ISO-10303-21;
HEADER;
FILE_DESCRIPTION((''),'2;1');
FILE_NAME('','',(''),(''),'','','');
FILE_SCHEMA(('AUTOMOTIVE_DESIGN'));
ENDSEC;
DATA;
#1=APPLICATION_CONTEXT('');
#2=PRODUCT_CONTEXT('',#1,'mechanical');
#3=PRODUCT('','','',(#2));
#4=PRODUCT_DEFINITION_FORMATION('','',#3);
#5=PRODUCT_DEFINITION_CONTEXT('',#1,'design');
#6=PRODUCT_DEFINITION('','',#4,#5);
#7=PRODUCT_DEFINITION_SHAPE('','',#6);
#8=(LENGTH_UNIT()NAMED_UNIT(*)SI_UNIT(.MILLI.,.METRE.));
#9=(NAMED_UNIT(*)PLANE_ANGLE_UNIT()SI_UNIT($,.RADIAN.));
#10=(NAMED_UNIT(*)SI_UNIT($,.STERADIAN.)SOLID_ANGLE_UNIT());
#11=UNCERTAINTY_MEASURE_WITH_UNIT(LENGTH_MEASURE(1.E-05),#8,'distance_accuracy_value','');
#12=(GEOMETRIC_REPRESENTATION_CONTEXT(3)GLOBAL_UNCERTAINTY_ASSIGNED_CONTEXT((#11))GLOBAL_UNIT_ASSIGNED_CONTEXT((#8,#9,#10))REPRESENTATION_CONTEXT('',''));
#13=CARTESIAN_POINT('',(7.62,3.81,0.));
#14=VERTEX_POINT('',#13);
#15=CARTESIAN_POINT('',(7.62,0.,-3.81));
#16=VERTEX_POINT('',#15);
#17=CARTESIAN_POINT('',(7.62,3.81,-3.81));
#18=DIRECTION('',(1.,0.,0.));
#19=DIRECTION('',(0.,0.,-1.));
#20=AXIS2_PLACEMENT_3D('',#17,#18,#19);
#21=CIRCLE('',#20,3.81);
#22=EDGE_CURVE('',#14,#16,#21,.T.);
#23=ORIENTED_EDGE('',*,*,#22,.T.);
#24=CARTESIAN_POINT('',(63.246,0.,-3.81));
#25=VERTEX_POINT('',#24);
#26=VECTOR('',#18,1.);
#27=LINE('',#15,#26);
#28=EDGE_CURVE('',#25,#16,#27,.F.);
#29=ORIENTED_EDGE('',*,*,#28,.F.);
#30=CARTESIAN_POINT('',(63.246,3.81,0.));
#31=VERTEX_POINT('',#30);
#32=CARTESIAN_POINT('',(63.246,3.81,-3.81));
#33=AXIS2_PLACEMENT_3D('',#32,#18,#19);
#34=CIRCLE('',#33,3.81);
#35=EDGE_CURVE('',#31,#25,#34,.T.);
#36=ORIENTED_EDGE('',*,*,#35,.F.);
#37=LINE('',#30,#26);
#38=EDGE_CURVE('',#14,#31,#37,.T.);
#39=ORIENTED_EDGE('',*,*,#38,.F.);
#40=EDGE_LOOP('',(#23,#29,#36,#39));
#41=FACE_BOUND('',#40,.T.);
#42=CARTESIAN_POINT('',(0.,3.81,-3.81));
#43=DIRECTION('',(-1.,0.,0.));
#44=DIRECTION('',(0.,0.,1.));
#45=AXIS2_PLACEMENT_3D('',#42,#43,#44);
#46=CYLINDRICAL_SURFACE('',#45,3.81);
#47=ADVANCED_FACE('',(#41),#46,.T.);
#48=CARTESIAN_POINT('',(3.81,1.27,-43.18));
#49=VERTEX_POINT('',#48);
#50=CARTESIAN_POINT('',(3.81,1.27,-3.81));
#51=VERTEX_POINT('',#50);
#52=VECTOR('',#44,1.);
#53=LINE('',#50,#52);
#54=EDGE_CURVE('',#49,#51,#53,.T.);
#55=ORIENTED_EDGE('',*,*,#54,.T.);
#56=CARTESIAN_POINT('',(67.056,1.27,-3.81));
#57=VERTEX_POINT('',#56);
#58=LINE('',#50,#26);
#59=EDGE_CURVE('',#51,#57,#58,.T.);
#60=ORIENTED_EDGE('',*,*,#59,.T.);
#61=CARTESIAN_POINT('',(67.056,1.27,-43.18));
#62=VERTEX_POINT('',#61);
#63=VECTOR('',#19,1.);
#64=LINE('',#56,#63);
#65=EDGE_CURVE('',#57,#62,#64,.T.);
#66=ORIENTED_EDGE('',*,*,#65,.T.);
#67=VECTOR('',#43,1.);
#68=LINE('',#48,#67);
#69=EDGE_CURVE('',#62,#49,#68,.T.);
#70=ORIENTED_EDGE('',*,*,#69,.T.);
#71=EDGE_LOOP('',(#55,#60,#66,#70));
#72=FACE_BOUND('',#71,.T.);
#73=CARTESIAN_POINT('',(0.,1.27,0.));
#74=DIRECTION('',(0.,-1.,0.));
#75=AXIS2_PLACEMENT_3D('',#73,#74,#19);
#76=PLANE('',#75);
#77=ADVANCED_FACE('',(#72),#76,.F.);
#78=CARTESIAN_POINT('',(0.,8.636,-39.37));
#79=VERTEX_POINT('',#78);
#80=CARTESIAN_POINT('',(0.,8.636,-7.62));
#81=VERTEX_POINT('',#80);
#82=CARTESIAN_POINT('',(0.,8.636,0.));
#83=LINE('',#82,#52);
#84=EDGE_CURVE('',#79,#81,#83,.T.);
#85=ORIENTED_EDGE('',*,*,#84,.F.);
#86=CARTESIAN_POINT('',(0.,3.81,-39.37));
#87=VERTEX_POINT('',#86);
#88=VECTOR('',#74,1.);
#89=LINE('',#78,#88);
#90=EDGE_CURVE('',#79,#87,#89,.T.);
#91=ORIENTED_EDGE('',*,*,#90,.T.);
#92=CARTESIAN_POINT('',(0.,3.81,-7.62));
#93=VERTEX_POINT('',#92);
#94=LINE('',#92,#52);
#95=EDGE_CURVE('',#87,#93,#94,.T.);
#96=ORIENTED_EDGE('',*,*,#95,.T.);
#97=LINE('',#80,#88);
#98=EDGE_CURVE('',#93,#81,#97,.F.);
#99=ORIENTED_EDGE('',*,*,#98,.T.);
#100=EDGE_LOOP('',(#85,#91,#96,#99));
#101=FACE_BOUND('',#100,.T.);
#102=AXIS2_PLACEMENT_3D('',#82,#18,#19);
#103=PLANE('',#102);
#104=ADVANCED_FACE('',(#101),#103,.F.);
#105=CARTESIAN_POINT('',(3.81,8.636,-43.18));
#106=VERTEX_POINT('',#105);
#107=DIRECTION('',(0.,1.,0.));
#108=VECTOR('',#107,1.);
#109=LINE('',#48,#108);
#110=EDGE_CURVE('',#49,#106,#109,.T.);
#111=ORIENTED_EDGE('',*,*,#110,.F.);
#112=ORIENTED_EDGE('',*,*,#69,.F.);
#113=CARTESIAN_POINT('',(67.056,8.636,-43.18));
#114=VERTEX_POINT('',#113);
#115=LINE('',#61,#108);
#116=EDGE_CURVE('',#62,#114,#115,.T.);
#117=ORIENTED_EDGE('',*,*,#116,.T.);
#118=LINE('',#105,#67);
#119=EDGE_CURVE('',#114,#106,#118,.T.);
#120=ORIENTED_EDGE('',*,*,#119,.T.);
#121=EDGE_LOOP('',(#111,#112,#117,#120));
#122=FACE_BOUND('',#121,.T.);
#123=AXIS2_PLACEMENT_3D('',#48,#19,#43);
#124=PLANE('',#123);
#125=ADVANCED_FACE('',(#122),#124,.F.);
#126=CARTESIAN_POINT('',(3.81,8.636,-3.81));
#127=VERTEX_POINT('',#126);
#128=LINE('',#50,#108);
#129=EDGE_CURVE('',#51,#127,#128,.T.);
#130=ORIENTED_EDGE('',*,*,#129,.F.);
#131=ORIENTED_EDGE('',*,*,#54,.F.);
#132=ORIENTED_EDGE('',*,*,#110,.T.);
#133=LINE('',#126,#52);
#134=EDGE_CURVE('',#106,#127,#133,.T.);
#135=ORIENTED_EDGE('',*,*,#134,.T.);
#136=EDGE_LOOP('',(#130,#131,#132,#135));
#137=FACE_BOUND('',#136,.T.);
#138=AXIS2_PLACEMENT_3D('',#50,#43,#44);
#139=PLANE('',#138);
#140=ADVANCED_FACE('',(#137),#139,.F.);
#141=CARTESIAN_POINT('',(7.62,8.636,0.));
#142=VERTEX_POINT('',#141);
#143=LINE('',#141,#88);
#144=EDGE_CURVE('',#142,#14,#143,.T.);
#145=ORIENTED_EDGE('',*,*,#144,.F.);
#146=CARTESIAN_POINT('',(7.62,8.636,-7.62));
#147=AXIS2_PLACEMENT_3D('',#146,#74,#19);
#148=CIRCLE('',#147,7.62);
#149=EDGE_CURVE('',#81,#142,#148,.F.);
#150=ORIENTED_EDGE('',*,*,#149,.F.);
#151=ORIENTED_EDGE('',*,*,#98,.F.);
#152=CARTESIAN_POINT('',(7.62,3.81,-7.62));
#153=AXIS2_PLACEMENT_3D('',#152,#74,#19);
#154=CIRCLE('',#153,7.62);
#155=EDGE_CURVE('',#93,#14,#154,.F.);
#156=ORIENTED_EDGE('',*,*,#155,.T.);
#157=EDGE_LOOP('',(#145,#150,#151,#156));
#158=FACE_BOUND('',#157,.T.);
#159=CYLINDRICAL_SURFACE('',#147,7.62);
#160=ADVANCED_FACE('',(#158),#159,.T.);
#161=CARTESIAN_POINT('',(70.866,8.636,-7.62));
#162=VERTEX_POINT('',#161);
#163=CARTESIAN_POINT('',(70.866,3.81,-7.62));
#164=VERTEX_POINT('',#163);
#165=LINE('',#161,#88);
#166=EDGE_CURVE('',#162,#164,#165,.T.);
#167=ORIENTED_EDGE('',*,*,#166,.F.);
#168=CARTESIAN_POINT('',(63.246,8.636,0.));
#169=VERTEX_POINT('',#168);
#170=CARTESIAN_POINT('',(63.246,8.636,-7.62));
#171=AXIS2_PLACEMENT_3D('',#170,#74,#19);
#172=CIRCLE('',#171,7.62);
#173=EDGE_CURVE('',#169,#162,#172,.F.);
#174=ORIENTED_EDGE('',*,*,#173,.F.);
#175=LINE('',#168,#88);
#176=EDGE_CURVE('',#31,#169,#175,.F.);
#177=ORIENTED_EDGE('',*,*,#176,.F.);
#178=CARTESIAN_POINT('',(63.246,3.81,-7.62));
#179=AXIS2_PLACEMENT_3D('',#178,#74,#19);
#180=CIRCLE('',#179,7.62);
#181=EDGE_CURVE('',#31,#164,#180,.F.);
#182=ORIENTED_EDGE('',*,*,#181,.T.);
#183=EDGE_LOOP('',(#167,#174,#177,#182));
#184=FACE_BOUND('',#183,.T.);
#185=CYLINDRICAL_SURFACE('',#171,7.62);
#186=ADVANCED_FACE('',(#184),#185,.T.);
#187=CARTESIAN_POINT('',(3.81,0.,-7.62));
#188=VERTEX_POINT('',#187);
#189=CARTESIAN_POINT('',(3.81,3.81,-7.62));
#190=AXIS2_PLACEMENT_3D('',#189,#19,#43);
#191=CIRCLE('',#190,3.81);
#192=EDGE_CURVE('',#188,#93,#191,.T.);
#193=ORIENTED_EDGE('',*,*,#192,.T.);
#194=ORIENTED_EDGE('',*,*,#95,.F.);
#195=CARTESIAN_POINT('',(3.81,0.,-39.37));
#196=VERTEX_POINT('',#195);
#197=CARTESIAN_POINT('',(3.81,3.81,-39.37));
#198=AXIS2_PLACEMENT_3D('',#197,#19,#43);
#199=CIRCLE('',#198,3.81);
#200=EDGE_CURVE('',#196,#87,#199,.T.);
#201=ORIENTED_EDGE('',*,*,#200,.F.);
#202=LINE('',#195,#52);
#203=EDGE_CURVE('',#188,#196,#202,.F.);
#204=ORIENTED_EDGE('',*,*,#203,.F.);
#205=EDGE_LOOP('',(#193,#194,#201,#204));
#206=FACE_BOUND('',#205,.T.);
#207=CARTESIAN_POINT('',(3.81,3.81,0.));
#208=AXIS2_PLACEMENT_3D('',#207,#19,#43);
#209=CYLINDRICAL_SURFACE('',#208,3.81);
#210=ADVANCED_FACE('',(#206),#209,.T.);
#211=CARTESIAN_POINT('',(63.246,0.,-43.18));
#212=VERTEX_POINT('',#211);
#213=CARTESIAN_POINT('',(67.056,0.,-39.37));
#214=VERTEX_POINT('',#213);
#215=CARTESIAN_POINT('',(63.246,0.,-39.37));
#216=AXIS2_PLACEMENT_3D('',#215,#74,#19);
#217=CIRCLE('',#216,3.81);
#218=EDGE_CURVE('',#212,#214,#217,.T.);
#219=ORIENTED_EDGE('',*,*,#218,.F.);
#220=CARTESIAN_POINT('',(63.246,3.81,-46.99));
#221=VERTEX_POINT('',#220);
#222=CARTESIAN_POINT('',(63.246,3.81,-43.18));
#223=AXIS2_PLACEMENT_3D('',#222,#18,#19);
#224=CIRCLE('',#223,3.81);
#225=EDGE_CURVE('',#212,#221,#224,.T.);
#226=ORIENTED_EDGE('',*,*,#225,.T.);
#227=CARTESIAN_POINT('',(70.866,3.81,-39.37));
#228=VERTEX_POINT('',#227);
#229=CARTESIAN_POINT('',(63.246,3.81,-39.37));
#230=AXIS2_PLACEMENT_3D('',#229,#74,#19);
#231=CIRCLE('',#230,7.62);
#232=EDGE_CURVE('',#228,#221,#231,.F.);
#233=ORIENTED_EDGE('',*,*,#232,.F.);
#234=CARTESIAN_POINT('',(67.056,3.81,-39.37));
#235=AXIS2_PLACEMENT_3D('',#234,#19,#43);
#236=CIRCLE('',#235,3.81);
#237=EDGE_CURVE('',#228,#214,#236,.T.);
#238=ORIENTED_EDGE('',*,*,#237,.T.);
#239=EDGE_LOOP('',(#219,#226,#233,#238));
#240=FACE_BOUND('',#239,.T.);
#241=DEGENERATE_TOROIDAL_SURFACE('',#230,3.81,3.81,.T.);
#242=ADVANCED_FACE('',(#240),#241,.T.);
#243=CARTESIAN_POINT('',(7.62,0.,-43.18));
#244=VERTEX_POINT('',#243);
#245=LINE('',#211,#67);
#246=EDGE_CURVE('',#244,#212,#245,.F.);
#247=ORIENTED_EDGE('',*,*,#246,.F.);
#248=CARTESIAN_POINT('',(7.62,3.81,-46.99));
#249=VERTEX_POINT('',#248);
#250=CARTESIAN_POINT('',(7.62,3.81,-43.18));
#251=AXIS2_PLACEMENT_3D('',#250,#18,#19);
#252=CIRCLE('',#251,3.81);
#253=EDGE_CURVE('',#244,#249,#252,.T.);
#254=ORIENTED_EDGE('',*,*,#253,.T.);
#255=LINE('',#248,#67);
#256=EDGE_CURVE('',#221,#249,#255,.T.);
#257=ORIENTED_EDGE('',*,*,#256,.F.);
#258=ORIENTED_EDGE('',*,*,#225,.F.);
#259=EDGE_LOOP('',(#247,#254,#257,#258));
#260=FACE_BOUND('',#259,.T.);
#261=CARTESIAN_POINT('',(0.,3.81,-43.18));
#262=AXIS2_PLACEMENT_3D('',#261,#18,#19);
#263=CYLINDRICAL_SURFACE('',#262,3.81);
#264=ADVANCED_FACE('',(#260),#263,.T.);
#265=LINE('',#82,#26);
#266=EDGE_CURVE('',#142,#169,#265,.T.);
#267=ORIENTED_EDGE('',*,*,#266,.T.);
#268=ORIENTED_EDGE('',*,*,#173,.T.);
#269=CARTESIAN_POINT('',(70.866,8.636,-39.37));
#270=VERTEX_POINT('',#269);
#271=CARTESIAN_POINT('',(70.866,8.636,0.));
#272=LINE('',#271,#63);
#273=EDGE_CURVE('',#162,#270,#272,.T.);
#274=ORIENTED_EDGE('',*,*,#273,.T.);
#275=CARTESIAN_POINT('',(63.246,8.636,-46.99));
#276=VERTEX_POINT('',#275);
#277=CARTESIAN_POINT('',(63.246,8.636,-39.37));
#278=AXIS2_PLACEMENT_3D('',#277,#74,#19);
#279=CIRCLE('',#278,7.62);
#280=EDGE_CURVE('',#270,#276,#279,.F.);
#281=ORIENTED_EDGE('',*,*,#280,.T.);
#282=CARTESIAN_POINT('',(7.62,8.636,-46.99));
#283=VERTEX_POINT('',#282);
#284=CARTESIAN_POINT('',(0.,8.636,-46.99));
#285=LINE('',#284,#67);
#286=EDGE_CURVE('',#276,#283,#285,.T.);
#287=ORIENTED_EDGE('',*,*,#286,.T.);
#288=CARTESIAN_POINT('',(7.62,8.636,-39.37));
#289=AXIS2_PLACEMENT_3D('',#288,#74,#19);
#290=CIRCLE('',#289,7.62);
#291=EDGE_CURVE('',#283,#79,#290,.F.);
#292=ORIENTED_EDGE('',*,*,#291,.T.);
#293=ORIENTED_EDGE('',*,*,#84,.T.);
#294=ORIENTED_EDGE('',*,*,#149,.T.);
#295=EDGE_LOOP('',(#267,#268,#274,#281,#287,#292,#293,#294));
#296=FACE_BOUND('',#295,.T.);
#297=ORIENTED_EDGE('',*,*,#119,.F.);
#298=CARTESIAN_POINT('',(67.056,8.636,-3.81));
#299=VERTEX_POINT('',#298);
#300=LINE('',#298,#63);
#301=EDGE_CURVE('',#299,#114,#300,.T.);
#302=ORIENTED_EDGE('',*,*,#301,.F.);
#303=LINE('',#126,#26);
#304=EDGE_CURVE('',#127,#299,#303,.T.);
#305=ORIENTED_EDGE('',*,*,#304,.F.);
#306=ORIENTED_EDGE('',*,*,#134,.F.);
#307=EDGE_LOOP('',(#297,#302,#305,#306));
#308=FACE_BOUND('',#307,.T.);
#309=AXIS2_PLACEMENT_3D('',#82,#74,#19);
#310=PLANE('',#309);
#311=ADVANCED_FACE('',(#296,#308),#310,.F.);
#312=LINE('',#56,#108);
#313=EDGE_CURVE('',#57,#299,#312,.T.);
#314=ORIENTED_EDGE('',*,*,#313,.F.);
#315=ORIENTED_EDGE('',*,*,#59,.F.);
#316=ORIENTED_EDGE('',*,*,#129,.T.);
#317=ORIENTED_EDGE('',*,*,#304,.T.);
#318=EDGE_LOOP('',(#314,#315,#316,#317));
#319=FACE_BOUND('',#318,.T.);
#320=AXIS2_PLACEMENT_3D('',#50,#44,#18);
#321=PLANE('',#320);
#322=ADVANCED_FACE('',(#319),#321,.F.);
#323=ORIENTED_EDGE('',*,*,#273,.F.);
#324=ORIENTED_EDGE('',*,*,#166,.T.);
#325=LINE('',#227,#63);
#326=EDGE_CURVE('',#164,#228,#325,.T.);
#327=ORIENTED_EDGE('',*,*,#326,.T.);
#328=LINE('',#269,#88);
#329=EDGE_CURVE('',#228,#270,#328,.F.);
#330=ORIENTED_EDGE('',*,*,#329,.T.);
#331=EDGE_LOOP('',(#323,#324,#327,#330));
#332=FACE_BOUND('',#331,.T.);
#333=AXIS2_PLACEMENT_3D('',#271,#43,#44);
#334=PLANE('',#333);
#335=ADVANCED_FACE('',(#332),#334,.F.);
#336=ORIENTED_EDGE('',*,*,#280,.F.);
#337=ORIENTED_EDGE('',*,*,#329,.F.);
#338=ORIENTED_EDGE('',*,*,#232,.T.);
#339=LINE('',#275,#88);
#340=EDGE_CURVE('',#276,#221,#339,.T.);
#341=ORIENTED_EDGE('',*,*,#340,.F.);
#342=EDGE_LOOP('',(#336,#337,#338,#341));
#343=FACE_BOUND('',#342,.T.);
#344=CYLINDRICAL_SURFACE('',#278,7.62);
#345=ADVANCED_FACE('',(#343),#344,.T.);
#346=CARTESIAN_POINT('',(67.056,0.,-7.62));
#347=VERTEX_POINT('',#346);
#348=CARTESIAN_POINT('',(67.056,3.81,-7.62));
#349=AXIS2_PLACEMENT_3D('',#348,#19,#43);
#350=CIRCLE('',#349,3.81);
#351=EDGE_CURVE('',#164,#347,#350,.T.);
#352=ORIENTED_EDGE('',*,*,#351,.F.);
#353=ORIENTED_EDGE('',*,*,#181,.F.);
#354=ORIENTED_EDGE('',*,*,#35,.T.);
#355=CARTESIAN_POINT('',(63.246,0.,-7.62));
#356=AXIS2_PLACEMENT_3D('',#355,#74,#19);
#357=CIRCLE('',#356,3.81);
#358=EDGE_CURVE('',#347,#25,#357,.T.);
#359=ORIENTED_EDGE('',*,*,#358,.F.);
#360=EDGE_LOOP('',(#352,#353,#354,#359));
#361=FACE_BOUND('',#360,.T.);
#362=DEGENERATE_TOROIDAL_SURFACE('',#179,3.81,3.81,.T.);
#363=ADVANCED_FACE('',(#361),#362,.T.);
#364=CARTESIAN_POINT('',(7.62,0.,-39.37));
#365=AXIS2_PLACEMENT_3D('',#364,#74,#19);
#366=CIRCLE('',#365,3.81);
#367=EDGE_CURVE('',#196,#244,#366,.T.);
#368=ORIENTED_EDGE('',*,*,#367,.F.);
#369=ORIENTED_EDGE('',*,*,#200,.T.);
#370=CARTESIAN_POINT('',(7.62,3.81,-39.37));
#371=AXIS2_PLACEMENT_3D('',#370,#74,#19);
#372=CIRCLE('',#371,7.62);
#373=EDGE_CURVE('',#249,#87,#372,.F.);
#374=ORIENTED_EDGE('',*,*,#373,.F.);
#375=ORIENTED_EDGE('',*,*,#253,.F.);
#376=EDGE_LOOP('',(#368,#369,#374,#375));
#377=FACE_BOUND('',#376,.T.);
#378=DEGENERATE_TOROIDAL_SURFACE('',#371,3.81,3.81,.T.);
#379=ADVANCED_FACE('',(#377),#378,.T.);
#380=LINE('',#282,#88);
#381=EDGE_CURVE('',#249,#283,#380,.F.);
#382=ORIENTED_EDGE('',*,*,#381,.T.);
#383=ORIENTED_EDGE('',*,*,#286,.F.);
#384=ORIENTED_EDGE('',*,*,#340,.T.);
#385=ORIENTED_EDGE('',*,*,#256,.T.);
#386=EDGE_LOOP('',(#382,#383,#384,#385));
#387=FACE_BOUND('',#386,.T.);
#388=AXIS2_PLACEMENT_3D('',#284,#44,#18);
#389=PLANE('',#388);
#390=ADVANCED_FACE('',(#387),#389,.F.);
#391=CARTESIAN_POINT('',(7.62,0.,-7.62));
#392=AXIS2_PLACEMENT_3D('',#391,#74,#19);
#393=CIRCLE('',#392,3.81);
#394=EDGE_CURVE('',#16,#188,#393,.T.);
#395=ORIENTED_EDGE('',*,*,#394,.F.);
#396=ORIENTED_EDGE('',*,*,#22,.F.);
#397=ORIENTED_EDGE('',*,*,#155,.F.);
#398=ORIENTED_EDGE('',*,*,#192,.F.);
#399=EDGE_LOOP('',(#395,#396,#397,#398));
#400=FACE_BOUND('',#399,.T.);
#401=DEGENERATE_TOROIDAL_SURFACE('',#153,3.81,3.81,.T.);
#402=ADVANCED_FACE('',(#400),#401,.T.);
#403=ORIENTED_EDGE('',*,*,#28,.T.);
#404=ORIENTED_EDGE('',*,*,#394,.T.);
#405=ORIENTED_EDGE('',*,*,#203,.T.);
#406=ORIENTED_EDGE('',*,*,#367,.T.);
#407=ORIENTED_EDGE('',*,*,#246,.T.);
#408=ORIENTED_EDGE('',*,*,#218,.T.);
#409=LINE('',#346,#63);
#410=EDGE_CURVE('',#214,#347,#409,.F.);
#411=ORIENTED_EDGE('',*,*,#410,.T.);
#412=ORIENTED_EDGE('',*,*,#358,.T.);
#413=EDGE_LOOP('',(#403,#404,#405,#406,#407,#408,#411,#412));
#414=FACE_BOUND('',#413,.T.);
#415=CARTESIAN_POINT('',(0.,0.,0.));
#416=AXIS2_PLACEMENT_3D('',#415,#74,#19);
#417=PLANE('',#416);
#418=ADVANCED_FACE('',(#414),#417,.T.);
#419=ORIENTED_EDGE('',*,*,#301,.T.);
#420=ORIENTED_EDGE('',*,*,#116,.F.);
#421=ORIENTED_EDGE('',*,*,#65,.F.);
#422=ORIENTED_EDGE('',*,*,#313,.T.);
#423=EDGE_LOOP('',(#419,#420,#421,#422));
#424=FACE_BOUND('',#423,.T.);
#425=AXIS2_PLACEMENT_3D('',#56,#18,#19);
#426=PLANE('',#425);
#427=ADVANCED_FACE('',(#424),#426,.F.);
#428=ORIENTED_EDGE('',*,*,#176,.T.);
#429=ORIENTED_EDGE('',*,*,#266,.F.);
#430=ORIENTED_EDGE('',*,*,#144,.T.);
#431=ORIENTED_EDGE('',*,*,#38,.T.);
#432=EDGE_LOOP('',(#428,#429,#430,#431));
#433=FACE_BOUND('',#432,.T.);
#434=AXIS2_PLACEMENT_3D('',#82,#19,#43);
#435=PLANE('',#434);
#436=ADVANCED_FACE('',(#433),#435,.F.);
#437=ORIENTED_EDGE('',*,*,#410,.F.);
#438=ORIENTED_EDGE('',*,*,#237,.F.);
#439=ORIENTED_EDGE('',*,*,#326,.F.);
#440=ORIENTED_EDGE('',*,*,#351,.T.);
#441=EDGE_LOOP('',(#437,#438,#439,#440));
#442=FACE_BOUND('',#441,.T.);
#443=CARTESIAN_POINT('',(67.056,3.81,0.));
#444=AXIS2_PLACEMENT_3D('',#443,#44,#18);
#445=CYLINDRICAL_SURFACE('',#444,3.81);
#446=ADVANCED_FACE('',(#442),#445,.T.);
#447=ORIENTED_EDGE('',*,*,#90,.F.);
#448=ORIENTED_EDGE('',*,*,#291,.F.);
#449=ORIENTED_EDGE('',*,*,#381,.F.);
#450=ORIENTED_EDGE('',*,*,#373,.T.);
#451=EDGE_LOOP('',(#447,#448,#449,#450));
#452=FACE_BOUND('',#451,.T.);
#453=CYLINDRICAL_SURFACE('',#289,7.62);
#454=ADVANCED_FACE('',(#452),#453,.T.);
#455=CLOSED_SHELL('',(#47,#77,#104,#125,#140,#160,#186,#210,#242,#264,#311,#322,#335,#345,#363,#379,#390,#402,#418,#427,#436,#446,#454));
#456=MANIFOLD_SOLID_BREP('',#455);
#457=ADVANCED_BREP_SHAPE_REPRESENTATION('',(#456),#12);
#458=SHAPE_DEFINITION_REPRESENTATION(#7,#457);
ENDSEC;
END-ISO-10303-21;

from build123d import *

# Parameters (mm, degrees)
SKETCH1_W           = 70.866
SKETCH1_H           = 46.99
BOSS_EXTRUDE1_DEPTH = 8.636
SKETCH2_W           = 63.246
SKETCH2_H           = 39.37
CUT_EXTRUDE1_DEPTH  = 7.366
FILLET2_R           = 7.62
FILLET3_R           = 3.81


with BuildPart() as part:
    # Sketch1 → Boss-Extrude1 (new body)
    with BuildSketch(Plane(origin=(0, 0, 0), x_dir=(1, 0, 0), z_dir=(0, 1, 0))):
        with Locations((35.433, 23.495)):
            Rectangle(SKETCH1_W, SKETCH1_H)
    extrude(amount=BOSS_EXTRUDE1_DEPTH)

    # Sketch2 → Cut-Extrude1 (cut)
    with BuildSketch(Plane(origin=(0, 8.636, 0), x_dir=(1, 0, 0), z_dir=(0, 1, 0))):
        with Locations((35.433, 23.495)):
            Rectangle(SKETCH2_W, SKETCH2_H)
    extrude(amount=-CUT_EXTRUDE1_DEPTH, mode=Mode.SUBTRACT)

    # Fillet2
    fillet2_edges = [part.edges().sort_by_distance(p)[0] for p in [
        (0, 4.318, -46.99),
        (70.866, 4.318, -46.99),
        (70.866, 4.318, 0),
        (0, 4.318, 0),
    ]]
    fillet(fillet2_edges, radius=FILLET2_R)

    # Fillet3
    fillet3_edges = [part.edges().sort_by_distance(p)[0] for p in [
        (35.433, 0, -46.99),
        (0, 0, -23.495),
        (70.866, 0, -23.495),
        (35.433, 0, 0),
        (2.231846327, 0, -44.758153673),
        (2.231846327, 0, -2.231846327),
        (68.634153673, 0, -2.231846327),
        (68.634153673, 0, -44.758153673),
    ]]
    fillet(fillet3_edges, radius=FILLET3_R)


solid = part.part
